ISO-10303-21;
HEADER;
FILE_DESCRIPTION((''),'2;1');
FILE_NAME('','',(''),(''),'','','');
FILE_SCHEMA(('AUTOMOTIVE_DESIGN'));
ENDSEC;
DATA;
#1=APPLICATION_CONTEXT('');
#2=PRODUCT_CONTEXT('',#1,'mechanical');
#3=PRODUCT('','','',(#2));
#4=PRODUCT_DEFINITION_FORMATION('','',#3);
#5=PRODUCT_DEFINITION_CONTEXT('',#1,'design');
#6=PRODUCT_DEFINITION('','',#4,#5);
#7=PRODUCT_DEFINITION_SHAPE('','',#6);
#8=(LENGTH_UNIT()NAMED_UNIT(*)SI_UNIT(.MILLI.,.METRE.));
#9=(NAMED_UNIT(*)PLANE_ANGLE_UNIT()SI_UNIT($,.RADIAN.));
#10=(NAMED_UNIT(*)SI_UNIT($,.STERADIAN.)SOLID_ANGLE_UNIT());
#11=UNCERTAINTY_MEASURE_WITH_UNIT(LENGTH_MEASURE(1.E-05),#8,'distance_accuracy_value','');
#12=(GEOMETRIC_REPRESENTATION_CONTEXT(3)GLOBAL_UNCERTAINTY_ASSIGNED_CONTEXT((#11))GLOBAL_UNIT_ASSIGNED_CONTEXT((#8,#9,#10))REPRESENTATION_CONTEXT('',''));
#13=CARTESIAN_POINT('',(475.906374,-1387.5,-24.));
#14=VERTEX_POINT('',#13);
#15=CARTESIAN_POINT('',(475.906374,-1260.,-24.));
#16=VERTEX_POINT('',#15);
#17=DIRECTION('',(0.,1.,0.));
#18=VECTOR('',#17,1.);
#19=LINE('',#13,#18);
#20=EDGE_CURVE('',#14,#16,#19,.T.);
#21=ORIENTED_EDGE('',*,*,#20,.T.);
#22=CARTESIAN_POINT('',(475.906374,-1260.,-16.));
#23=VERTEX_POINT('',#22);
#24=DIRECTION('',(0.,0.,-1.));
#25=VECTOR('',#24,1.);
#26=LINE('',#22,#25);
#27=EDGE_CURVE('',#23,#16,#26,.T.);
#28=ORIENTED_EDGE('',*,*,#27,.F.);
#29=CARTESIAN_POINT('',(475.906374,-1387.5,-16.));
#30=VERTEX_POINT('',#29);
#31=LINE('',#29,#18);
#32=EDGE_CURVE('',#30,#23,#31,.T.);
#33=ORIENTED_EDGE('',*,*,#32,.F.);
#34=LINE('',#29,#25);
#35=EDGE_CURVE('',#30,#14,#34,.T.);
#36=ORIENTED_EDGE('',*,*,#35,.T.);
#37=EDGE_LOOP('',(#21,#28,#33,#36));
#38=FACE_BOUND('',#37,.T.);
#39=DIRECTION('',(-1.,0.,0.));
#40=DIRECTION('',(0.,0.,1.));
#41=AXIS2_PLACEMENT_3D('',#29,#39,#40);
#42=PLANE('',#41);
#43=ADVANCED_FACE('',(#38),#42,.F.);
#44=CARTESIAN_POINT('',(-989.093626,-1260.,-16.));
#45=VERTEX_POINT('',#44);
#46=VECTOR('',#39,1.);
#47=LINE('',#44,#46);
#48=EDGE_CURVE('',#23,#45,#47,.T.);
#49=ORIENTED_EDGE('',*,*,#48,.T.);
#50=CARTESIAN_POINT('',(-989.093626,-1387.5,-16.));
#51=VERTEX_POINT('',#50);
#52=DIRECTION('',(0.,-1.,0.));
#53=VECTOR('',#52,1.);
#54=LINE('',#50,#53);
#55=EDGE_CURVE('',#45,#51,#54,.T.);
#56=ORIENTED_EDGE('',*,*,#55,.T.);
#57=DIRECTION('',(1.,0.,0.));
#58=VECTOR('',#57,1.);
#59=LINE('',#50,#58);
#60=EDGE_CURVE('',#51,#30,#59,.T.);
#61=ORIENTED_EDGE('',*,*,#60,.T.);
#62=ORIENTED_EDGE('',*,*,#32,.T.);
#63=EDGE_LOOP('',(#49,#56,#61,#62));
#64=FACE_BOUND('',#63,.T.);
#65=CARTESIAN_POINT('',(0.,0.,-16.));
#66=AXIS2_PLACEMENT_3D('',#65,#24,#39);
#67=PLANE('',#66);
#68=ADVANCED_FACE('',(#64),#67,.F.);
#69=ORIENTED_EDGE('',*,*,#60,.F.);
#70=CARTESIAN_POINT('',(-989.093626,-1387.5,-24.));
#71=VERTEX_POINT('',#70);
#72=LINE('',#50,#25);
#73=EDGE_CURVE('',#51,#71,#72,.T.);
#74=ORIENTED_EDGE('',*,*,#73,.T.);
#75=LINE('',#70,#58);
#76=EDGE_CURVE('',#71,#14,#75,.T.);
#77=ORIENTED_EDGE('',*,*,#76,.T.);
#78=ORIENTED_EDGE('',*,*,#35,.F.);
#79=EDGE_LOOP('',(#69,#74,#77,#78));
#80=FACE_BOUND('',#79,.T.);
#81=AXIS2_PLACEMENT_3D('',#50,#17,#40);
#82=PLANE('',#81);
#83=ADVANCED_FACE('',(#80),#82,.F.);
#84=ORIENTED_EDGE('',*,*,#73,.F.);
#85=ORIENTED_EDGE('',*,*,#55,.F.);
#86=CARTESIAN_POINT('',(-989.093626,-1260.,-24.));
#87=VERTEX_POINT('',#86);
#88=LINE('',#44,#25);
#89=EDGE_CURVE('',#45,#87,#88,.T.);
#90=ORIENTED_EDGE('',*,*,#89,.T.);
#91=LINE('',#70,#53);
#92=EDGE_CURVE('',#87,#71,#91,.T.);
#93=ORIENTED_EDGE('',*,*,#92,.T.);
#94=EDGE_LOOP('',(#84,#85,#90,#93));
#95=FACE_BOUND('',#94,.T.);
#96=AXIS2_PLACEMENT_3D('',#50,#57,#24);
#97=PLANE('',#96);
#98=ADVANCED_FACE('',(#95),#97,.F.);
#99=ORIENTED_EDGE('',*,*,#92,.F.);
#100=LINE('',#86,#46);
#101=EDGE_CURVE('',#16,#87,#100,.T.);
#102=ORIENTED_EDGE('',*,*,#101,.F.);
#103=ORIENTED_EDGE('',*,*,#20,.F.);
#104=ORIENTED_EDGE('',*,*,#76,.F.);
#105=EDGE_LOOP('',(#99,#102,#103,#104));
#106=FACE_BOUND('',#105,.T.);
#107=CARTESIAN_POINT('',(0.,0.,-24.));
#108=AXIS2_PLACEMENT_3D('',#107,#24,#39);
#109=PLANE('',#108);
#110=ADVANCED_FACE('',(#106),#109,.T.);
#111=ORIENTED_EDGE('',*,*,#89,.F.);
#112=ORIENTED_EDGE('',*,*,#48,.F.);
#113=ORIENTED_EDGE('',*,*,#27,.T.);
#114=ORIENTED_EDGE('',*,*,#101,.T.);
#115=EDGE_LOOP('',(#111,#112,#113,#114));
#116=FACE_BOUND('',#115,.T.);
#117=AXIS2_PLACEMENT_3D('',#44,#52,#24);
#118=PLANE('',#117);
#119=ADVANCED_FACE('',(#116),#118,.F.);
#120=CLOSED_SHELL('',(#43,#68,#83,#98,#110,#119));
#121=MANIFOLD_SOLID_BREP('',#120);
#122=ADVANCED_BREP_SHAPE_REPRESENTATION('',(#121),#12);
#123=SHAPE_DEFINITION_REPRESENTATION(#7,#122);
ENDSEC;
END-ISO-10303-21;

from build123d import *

# Parameters (mm, degrees)
SKETCH_2_W      = 1465
SKETCH_2_H      = 127.5
EXTRUDE_1_DEPTH = 4


with BuildPart() as part:
    # 草图2 → 凸台-拉伸1 (new, symmetric)
    with BuildSketch(Plane.XY.offset(-20)):
        with Locations((-256.593625971, -1323.75)):
            Rectangle(SKETCH_2_W, SKETCH_2_H)
    extrude(amount=EXTRUDE_1_DEPTH, both=True)


solid = part.part
